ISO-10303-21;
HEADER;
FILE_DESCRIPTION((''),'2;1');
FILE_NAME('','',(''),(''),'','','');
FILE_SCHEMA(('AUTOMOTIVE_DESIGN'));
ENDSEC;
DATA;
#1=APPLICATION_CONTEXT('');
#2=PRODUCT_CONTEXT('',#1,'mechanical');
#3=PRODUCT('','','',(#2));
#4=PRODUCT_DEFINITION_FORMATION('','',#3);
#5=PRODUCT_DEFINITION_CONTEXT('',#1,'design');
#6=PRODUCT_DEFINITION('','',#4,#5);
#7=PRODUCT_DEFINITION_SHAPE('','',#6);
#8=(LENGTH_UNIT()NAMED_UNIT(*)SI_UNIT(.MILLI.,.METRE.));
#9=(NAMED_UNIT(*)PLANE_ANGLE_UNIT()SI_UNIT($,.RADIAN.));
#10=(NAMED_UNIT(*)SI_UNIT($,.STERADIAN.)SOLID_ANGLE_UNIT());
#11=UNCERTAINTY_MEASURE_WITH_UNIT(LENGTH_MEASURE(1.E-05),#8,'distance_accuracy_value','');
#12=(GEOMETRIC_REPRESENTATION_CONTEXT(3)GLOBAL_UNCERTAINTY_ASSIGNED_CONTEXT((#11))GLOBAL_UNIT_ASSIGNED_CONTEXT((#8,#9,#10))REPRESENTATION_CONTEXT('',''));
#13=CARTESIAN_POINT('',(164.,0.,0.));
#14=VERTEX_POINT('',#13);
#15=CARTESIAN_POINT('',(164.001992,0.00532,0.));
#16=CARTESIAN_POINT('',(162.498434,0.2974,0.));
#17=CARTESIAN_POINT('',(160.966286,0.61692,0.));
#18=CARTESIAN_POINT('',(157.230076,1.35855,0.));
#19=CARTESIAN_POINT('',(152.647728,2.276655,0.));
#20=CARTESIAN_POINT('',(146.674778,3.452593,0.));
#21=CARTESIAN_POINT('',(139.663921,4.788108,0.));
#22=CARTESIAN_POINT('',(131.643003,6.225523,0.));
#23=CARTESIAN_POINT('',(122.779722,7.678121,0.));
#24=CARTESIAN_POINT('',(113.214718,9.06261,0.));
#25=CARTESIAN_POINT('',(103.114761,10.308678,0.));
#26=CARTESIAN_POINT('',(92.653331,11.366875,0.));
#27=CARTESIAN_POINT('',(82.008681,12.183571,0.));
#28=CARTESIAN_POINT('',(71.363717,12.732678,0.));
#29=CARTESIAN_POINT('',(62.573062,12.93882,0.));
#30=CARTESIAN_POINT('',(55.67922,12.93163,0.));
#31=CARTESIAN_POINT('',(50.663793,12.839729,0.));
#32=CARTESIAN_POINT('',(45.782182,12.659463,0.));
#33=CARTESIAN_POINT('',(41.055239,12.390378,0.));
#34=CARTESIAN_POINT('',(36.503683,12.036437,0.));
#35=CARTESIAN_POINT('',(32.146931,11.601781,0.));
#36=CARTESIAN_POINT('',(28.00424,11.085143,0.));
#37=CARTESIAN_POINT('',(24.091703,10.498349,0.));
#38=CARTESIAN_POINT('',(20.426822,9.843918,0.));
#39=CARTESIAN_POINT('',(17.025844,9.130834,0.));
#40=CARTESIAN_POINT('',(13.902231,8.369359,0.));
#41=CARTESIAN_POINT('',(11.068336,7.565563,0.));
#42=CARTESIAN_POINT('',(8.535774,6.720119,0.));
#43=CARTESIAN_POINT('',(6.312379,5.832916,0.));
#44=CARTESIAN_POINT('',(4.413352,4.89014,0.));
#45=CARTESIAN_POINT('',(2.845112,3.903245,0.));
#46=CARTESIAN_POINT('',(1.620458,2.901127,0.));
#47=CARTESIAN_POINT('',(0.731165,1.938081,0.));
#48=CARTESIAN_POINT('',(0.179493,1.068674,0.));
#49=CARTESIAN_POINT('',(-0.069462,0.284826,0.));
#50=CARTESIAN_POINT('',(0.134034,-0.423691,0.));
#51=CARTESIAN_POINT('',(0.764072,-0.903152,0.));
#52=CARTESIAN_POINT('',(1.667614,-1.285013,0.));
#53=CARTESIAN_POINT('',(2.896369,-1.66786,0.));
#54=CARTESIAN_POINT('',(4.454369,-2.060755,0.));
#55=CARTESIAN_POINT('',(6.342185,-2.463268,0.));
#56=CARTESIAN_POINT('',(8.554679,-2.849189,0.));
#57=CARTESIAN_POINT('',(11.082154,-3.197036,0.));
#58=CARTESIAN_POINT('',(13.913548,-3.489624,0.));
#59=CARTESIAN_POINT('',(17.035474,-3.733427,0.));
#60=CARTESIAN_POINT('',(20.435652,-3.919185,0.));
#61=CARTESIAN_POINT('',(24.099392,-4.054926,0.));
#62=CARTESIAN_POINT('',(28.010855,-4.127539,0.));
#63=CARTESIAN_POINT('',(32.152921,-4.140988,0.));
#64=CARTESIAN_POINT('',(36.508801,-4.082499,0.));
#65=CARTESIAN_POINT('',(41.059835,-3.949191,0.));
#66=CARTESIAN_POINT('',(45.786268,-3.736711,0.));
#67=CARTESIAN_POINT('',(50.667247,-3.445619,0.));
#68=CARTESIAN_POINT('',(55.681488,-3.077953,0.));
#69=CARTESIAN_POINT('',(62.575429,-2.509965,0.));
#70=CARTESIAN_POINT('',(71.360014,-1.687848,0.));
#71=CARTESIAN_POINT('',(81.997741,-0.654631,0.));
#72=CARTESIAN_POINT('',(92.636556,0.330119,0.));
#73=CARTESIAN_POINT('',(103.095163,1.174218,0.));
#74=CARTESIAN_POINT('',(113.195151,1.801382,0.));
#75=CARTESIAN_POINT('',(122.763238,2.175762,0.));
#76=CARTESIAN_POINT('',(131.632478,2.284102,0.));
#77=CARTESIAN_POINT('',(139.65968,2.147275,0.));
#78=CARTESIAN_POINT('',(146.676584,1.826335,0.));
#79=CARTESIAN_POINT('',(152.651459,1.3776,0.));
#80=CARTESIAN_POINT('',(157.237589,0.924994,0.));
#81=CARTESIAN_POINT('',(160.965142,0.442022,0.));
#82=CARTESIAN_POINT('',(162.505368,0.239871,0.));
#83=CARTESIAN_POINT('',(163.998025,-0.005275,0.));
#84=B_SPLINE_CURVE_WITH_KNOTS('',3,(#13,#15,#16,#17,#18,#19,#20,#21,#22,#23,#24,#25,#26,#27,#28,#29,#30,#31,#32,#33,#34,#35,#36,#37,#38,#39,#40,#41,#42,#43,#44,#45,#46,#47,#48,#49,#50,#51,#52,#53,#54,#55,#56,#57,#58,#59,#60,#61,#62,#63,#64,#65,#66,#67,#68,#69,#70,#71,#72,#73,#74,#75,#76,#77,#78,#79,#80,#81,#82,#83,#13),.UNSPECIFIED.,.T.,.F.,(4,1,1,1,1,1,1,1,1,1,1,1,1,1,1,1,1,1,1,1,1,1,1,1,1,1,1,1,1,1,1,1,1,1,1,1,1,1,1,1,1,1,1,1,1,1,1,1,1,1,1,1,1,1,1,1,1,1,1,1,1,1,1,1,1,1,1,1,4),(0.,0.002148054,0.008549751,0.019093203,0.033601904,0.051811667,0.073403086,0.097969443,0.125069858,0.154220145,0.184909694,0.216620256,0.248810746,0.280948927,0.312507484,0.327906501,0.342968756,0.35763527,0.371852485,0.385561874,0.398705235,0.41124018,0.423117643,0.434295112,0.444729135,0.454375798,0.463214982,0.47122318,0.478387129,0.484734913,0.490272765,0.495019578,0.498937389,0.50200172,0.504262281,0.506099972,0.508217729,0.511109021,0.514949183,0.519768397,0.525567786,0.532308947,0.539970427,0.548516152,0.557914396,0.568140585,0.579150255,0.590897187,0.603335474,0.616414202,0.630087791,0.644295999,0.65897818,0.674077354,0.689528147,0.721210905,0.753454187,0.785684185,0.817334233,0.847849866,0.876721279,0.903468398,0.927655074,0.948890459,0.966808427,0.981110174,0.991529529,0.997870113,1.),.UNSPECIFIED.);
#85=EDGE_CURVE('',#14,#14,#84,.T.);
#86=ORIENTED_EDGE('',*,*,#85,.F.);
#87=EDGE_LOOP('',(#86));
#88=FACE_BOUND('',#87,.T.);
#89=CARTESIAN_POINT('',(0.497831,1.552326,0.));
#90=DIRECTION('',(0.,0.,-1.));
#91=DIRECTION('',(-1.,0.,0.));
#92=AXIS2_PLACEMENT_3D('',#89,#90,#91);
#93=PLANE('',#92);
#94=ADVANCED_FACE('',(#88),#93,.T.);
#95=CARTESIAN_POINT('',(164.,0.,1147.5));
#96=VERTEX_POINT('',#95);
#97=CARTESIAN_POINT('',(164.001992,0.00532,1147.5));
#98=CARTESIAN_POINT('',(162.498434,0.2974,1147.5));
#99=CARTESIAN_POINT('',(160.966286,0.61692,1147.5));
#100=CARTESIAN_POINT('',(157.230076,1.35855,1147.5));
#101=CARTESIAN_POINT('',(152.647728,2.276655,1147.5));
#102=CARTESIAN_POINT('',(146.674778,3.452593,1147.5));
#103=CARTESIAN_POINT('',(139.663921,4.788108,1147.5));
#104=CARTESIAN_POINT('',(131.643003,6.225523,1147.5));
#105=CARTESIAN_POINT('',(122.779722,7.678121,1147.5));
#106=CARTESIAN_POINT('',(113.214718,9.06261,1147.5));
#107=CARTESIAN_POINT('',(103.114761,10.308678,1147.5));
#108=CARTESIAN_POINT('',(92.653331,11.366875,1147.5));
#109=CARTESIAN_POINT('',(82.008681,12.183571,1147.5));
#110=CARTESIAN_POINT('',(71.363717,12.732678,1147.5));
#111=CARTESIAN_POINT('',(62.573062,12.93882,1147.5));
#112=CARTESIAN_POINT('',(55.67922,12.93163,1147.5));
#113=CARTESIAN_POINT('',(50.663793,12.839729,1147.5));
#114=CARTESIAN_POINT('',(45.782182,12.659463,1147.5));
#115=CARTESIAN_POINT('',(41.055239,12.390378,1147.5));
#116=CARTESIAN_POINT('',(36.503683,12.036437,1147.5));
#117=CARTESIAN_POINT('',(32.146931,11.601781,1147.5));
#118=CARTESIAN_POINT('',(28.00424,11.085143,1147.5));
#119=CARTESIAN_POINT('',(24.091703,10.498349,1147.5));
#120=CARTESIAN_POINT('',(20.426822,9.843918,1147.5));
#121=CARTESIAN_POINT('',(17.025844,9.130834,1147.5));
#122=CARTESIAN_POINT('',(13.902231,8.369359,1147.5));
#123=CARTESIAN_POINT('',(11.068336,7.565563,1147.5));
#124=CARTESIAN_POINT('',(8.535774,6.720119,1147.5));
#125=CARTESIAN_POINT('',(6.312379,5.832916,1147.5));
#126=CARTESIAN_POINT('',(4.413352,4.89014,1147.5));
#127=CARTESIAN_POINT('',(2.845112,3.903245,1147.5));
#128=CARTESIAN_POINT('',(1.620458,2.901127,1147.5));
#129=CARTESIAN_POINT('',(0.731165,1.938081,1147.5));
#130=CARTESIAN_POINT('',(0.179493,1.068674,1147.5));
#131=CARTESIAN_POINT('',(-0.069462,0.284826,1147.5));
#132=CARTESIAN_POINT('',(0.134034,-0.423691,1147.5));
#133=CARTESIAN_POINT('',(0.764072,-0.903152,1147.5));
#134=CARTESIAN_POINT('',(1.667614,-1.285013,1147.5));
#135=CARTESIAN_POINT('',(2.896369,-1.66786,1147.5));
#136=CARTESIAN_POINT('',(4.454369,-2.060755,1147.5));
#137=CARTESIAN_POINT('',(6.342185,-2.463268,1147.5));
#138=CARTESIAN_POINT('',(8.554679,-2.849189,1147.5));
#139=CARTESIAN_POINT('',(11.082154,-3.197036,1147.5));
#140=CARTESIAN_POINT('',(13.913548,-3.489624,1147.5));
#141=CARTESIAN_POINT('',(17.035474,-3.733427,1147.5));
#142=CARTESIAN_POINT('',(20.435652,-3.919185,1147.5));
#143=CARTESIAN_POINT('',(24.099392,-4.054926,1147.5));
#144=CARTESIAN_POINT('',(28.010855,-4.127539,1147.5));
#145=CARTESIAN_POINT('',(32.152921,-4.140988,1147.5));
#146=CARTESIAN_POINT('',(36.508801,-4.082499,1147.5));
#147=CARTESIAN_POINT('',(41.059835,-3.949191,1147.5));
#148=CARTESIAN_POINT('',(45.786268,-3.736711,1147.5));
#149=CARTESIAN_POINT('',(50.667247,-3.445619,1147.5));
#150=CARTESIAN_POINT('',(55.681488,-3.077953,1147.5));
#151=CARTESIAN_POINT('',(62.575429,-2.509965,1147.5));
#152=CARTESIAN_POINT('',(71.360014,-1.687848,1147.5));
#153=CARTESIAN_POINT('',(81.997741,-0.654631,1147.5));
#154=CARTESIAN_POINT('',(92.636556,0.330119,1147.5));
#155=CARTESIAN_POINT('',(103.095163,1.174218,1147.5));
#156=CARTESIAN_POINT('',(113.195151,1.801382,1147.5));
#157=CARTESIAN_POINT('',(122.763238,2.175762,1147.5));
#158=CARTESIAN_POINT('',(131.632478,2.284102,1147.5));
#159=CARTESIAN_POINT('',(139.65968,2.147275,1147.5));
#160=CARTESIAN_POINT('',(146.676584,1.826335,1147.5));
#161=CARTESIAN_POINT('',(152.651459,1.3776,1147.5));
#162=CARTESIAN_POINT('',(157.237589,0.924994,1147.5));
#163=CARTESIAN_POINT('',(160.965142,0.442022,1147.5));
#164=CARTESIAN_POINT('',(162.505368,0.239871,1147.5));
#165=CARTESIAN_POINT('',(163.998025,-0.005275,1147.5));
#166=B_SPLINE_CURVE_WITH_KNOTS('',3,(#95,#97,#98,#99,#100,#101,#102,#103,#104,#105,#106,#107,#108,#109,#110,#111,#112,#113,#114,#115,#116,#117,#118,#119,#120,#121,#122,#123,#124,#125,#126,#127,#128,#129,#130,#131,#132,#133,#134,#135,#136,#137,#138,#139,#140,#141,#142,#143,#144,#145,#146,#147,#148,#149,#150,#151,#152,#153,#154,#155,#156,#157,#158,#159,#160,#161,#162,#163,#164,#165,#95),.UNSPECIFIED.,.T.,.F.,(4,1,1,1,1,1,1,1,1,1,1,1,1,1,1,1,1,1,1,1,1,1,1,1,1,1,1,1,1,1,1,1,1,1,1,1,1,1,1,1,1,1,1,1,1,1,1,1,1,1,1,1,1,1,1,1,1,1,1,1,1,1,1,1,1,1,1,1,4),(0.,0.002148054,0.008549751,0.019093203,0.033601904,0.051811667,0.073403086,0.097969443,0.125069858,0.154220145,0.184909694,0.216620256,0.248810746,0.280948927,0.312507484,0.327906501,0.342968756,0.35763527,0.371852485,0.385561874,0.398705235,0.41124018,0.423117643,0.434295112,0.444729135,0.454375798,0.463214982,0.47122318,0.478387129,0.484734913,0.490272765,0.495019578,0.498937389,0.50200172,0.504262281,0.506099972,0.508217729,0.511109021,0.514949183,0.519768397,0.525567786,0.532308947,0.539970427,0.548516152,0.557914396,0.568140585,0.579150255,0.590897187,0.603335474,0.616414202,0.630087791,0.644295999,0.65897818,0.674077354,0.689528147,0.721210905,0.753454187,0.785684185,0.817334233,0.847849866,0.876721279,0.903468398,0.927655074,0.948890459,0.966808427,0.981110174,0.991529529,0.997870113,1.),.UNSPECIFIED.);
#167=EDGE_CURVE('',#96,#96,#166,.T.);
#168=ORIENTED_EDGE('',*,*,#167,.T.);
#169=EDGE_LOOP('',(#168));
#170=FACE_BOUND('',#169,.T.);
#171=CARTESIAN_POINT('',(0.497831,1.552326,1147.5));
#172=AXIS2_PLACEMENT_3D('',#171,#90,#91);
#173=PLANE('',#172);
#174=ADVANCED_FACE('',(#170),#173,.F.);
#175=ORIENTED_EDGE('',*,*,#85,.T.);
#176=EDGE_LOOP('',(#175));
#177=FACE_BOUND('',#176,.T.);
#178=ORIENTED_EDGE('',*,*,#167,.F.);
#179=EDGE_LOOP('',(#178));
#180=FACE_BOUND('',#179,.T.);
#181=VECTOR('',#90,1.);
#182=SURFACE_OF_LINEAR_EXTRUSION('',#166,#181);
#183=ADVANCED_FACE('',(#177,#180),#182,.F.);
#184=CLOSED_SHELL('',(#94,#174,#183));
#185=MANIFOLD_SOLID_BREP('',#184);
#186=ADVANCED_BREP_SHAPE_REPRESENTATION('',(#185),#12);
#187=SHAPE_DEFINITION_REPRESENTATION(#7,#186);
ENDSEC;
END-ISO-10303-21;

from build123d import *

# Parameters (mm, degrees)
BOSS_EXTRUDE1_DEPTH = 1147.5


with BuildPart() as part:
    # Sketch2 → Boss-Extrude1 (new body)
    with BuildSketch(Plane.XY):
        with BuildLine():
            add(Edge.make_bspline(
                [(164, 0), (164.001991598, 0.00531985), (162.498434343, 0.297400203), (160.966285987, 0.616919952), (157.230075916, 1.35854981), (152.647727614, 2.276655229), (146.674778271, 3.452593401), (139.663921431, 4.788107638), (131.643002502, 6.225523454), (122.779722168, 7.678120549), (113.214717928, 9.062609537), (103.114761216, 10.30867808), (92.653330955, 11.366874663), (82.008680624, 12.183570909), (71.363717138, 12.732678494), (62.573062305, 12.938820128), (55.679219616, 12.931629583), (50.66379262, 12.839728664), (45.782181562, 12.659463205), (41.055239208, 12.3903785), (36.503682969, 12.036437473), (32.146930875, 11.601780671), (28.004239994, 11.085142861), (24.091702865, 10.49834901), (20.426822474, 9.843918183), (17.025844132, 9.130833564), (13.902230709, 8.369358841), (11.06833563, 7.565562996), (8.53577437, 6.720118621), (6.312379055, 5.832916092), (4.413351959, 4.89013994), (2.84511205, 3.903245047), (1.620457598, 2.901127061), (0.731165093, 1.938080692), (0.179493112, 1.068674431), (-0.069462085, 0.284825746), (0.1340338, -0.423690631), (0.764071957, -0.903152486), (1.66761423, -1.285012606), (2.89636931, -1.667860408), (4.454368995, -2.060754755), (6.342184668, -2.463268111), (8.554678564, -2.849189029), (11.082153575, -3.197036089), (13.91354845, -3.489623602), (17.035473755, -3.733426896), (20.435651878, -3.919184892), (24.099392464, -4.054926113), (28.010855137, -4.127538534), (32.152921407, -4.140988099), (36.508800602, -4.082499209), (41.059834749, -3.949191021), (45.786267855, -3.736710609), (50.667246714, -3.44561856), (55.681487768, -3.077952812), (62.575429044, -2.5099648), (71.360013547, -1.687848394), (81.99774075, -0.654631351), (92.636555888, 0.330119403), (103.095163283, 1.174218069), (113.195150773, 1.80138175), (122.763237889, 2.175762051), (131.632477935, 2.284101672), (139.659679629, 2.147275472), (146.676584213, 1.826335034), (152.651459073, 1.377599866), (157.237589271, 0.924994424), (160.965141957, 0.442021742), (162.505368274, 0.239871333), (163.998025246, -0.005274856), (164, 0)],
                knots=[0, 0, 0, 0, 0.002148054, 0.008549751, 0.019093203, 0.033601904, 0.051811667, 0.073403086, 0.097969443, 0.125069858, 0.154220145, 0.184909694, 0.216620256, 0.248810746, 0.280948927, 0.312507484, 0.327906501, 0.342968756, 0.35763527, 0.371852485, 0.385561874, 0.398705235, 0.41124018, 0.423117643, 0.434295112, 0.444729135, 0.454375798, 0.463214982, 0.47122318, 0.478387129, 0.484734913, 0.490272765, 0.495019578, 0.498937389, 0.50200172, 0.504262281, 0.506099972, 0.508217729, 0.511109021, 0.514949183, 0.519768397, 0.525567786, 0.532308947, 0.539970427, 0.548516152, 0.557914396, 0.568140585, 0.579150255, 0.590897187, 0.603335474, 0.616414202, 0.630087791, 0.644295999, 0.65897818, 0.674077354, 0.689528147, 0.721210905, 0.753454187, 0.785684185, 0.817334233, 0.847849866, 0.876721279, 0.903468398, 0.927655074, 0.948890459, 0.966808427, 0.981110174, 0.991529529, 0.997870113, 1, 1, 1, 1], degree=3))
        make_face()
    extrude(amount=BOSS_EXTRUDE1_DEPTH)


solid = part.part
